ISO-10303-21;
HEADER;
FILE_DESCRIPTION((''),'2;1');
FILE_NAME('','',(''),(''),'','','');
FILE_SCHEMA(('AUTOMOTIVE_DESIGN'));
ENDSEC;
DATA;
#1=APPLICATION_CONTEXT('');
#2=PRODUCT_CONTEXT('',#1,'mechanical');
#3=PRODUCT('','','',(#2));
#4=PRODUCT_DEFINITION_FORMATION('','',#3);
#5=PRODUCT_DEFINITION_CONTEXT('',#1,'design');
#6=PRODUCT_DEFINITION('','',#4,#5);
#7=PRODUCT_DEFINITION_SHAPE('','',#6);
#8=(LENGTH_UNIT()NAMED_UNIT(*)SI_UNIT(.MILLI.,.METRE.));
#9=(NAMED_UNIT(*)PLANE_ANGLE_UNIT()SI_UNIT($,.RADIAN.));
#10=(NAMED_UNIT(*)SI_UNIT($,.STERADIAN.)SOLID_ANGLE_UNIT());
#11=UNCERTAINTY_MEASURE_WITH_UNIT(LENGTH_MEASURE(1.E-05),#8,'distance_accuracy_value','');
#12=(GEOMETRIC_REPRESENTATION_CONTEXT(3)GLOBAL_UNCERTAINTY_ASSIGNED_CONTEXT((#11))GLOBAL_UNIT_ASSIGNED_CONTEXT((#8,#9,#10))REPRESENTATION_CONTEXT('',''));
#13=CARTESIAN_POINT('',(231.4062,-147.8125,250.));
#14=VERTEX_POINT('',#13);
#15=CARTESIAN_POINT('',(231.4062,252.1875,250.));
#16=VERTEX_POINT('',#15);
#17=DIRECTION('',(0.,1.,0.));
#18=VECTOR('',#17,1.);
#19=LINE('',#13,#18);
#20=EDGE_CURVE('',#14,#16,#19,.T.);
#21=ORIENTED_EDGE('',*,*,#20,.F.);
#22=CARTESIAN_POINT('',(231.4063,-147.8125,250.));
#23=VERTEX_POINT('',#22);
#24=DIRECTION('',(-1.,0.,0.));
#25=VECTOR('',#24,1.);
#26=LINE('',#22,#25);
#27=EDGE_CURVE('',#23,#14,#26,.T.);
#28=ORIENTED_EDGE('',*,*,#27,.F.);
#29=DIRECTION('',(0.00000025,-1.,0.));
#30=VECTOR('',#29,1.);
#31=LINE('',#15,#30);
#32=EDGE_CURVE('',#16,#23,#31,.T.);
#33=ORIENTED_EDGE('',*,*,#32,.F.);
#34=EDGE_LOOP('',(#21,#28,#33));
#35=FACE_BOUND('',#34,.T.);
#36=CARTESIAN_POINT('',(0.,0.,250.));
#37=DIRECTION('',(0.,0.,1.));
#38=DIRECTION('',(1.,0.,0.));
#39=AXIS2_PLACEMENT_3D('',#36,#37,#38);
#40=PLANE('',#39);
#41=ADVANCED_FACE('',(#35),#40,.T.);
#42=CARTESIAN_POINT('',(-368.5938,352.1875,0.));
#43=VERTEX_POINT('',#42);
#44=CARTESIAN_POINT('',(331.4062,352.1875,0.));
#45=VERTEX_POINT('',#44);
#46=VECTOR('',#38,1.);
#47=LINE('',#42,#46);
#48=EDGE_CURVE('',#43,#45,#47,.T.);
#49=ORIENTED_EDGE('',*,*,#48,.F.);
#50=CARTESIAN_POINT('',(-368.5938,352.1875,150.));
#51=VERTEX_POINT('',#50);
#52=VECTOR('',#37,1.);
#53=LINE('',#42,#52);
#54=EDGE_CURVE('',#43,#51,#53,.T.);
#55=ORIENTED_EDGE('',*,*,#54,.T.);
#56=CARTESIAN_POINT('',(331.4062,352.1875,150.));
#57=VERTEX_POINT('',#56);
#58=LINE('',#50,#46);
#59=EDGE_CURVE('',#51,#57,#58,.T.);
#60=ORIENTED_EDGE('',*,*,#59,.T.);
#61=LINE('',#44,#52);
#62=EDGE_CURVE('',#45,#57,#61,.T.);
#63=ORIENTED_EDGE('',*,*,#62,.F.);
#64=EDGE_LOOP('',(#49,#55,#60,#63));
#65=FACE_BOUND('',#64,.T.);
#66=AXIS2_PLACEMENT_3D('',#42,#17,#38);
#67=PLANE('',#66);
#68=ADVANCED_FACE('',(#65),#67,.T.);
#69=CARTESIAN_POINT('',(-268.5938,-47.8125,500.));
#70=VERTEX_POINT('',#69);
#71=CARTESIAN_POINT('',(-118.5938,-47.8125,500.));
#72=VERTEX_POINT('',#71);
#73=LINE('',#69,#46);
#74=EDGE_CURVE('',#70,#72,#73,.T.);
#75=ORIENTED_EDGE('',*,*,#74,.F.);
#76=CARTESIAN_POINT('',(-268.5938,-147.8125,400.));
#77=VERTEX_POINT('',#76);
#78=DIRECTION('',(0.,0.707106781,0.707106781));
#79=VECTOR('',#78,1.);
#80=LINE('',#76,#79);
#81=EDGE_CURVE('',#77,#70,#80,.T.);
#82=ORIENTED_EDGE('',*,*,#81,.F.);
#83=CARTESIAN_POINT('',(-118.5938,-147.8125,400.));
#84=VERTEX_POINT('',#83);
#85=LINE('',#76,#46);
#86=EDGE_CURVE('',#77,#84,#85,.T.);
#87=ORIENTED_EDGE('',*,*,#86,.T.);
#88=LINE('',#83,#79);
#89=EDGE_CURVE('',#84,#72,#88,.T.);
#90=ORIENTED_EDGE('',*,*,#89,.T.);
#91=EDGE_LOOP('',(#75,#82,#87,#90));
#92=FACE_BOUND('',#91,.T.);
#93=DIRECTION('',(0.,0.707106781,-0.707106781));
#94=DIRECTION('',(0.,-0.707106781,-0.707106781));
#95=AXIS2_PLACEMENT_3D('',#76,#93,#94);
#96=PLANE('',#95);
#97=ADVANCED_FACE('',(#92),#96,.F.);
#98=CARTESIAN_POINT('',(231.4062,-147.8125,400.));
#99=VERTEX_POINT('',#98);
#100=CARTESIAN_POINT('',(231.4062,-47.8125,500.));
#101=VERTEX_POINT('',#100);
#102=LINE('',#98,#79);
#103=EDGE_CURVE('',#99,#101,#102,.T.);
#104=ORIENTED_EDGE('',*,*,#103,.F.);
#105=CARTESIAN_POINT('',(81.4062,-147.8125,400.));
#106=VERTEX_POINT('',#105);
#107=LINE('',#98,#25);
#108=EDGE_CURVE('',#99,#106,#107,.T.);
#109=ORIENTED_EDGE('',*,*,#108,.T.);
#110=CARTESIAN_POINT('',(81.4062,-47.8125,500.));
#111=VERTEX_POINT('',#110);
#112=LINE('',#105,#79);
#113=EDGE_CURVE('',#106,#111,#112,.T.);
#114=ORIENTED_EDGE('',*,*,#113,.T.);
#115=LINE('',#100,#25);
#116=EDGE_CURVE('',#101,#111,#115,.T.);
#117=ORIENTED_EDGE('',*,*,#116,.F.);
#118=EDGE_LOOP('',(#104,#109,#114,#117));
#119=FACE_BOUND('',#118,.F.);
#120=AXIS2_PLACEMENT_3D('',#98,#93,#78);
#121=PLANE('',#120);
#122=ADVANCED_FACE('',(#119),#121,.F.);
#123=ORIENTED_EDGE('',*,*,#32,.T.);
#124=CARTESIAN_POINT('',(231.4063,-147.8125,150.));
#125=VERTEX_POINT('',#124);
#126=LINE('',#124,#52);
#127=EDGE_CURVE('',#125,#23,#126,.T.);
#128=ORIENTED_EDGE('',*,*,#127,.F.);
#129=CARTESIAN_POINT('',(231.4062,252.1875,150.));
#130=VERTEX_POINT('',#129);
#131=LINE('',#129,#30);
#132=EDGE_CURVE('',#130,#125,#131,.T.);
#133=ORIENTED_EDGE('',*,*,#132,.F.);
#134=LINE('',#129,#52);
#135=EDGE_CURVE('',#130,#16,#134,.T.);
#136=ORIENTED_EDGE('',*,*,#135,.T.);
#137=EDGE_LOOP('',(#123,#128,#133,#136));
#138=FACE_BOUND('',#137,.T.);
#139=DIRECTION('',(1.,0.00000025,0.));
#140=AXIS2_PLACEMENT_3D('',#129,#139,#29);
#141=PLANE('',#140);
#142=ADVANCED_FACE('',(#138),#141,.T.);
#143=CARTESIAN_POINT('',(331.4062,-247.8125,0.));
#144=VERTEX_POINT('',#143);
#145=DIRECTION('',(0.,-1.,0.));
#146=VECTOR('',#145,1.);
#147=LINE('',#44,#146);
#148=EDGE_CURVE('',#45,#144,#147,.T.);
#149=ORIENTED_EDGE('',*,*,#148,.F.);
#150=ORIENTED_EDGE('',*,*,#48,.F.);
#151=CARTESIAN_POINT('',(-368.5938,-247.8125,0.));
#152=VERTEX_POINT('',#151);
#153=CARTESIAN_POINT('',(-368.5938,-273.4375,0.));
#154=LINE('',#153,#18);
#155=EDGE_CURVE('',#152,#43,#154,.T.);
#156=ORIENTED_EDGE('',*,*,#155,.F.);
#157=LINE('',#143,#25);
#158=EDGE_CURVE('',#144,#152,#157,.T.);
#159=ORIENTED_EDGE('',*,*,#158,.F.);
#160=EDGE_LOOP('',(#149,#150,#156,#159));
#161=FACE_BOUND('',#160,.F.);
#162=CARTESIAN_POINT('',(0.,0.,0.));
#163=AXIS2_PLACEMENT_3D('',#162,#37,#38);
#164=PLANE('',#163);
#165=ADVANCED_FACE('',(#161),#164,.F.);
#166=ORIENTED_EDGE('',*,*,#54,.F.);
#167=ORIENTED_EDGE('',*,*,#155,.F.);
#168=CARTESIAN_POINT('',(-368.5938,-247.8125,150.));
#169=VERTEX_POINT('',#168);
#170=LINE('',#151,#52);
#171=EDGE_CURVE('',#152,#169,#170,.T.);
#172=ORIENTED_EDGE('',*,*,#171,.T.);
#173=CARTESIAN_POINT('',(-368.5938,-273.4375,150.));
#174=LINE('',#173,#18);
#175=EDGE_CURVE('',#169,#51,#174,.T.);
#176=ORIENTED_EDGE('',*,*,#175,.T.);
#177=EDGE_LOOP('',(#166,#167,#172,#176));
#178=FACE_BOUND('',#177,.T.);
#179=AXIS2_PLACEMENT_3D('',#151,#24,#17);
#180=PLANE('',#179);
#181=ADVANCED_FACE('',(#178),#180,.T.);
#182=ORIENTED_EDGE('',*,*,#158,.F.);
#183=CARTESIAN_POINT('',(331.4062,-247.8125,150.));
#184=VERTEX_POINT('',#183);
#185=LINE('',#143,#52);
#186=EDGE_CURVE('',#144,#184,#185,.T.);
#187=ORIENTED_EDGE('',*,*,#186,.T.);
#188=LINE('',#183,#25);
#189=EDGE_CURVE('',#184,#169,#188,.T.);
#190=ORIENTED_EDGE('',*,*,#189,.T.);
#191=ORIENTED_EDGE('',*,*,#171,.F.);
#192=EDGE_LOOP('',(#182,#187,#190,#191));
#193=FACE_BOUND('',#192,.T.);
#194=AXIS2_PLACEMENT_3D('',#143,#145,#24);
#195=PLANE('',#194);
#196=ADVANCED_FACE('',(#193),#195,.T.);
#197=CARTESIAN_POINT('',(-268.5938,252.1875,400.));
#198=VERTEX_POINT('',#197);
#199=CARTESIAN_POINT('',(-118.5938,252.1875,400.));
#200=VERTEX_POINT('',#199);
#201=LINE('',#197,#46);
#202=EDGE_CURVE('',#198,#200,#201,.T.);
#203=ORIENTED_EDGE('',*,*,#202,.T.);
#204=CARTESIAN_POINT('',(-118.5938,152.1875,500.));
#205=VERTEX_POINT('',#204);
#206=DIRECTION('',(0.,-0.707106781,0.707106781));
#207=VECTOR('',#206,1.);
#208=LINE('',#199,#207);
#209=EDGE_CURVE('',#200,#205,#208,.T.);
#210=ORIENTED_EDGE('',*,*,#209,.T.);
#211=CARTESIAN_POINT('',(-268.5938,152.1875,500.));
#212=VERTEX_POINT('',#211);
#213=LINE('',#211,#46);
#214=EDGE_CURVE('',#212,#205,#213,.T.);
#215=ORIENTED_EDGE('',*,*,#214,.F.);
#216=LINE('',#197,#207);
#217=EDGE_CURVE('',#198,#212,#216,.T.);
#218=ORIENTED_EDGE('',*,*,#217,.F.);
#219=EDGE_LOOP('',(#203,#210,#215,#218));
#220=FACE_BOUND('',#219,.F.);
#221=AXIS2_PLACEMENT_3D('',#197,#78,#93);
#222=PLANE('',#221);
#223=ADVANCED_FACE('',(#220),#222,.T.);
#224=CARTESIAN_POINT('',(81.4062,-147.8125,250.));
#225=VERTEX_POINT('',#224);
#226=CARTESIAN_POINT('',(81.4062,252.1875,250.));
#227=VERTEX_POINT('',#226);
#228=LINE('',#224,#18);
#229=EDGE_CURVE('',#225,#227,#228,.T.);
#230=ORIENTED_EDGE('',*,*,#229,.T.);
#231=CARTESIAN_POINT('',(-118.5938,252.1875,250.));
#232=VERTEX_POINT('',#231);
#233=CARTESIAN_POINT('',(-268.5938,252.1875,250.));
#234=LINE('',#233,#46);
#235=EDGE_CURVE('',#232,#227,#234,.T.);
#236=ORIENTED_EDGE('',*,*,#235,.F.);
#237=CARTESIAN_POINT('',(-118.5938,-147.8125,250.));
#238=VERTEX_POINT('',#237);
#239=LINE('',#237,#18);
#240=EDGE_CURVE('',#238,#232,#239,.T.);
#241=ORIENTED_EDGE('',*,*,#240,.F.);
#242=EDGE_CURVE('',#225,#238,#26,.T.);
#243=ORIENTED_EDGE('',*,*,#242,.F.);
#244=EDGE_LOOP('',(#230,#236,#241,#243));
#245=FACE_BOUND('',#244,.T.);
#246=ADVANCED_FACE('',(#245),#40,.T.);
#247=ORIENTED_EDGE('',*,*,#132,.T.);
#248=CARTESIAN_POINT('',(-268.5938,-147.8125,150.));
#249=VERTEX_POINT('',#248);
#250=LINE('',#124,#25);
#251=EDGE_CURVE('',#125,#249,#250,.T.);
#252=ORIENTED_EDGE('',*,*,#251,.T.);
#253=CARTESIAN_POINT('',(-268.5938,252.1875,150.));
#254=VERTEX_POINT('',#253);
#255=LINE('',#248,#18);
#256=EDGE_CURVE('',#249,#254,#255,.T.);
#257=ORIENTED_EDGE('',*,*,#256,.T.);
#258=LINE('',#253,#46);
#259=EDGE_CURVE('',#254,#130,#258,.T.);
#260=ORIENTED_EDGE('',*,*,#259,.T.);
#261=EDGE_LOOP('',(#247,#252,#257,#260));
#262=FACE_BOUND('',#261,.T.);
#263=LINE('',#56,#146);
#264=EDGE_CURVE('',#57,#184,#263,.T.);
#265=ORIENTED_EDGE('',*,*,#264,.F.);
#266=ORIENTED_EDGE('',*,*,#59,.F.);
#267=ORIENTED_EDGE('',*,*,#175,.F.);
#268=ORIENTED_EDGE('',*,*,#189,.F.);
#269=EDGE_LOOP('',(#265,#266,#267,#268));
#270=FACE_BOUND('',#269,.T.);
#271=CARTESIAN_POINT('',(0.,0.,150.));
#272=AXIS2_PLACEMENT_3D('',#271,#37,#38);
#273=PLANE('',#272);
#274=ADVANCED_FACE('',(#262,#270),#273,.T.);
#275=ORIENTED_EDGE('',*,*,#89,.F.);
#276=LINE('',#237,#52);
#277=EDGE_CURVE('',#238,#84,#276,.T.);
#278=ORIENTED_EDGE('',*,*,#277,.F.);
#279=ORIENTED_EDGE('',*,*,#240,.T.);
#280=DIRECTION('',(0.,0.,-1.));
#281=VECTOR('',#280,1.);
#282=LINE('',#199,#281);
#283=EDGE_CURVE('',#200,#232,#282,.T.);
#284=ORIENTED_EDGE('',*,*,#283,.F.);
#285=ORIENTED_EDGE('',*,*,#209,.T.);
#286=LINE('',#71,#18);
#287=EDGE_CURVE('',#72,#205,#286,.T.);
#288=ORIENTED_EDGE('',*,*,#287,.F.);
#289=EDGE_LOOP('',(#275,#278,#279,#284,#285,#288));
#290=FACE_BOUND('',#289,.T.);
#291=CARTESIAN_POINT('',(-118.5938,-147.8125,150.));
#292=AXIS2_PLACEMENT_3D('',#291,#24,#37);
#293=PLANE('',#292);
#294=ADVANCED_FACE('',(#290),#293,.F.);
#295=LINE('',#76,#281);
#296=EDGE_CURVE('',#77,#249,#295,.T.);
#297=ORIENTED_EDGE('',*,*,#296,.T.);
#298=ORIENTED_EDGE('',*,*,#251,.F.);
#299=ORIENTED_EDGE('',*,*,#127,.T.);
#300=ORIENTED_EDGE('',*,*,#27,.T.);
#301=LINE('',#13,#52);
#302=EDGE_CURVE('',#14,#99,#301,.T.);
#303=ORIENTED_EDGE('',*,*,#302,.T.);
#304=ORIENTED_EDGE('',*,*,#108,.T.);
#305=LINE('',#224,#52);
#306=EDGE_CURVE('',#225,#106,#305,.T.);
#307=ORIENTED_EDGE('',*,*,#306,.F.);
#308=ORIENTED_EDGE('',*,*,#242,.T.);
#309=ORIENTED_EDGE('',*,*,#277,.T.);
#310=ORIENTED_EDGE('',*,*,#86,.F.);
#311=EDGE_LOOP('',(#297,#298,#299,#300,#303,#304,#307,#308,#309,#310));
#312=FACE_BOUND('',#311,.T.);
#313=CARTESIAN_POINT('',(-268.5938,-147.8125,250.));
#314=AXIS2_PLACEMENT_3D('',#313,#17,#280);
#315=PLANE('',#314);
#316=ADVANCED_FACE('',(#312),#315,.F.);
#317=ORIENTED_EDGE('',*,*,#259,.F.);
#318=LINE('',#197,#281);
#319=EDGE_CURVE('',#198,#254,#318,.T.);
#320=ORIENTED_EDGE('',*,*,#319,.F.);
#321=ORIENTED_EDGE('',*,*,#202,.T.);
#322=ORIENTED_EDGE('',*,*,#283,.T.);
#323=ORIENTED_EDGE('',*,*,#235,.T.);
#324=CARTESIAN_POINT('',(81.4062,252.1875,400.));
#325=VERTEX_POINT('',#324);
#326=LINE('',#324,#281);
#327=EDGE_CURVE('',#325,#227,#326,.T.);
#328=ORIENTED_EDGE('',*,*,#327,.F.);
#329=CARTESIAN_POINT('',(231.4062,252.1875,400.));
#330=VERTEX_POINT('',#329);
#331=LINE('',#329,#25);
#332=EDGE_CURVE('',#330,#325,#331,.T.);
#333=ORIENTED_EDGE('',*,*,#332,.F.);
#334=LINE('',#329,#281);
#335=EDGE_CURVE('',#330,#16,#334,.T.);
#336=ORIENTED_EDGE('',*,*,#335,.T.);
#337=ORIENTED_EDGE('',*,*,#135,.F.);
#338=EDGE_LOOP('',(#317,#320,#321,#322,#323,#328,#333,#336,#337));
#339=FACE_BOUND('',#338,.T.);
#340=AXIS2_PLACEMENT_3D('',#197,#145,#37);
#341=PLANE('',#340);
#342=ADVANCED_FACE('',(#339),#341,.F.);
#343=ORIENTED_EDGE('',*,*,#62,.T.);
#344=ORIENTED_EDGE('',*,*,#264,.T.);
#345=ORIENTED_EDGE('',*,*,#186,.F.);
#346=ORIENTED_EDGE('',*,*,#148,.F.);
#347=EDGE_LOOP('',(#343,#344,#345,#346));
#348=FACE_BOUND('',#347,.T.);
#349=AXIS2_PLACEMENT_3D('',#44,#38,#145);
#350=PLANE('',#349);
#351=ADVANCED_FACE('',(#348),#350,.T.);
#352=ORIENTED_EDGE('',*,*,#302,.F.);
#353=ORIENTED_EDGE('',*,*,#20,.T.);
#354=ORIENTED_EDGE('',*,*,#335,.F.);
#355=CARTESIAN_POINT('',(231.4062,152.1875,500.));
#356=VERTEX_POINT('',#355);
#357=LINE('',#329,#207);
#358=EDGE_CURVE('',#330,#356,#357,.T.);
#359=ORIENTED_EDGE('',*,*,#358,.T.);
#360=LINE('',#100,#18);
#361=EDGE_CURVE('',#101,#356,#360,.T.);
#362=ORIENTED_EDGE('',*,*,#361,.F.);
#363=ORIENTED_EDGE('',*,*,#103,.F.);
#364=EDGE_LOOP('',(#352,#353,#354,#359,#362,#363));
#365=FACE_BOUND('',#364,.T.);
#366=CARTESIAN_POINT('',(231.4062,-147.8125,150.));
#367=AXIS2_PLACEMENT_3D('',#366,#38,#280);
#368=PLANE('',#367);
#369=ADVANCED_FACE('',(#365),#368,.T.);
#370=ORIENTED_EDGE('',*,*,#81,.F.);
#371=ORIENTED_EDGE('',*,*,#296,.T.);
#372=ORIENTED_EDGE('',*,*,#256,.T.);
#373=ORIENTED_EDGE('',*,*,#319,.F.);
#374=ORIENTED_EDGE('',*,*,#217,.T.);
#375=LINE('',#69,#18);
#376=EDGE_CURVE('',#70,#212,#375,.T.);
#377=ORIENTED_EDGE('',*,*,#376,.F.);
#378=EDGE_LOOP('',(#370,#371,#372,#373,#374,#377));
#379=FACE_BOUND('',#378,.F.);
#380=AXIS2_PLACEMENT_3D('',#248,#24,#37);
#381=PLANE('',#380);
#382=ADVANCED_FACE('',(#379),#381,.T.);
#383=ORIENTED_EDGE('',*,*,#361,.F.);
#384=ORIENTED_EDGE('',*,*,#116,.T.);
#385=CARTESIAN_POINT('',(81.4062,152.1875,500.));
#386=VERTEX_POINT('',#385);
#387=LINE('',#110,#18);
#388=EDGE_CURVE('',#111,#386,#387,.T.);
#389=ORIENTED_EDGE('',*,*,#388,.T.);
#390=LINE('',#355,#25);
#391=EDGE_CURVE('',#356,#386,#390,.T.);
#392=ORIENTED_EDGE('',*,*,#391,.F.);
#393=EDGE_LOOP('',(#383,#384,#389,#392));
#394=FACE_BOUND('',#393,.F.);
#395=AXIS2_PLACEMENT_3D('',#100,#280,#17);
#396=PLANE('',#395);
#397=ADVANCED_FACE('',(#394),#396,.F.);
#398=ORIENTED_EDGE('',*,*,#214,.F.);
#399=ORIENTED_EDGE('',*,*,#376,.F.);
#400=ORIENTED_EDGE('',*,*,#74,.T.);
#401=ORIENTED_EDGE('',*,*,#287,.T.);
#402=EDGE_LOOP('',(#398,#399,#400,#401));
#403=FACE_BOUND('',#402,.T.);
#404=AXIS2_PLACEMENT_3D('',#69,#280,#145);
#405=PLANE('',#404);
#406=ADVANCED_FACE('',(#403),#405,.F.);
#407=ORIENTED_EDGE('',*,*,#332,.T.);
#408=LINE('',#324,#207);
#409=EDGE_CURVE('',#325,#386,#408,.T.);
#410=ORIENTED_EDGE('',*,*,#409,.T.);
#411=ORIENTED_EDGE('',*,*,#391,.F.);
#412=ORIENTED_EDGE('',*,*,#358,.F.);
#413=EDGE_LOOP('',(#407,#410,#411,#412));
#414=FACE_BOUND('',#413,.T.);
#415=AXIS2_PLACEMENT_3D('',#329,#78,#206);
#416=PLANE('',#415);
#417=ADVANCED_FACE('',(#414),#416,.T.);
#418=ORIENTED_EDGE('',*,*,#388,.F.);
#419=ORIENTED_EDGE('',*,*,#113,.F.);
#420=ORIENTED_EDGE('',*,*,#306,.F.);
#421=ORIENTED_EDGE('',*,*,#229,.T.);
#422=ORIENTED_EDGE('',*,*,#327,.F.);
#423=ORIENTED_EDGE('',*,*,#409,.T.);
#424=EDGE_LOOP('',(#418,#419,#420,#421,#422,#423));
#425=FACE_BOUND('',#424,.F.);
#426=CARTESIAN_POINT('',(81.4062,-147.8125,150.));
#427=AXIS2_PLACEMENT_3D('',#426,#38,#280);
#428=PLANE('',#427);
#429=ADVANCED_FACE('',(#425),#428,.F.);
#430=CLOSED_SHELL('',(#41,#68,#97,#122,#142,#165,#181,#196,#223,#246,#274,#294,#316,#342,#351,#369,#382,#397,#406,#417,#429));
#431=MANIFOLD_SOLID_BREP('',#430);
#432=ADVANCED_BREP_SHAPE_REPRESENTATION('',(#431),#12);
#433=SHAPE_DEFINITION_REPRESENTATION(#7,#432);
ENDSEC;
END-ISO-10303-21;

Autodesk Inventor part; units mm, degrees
ref_plane "YZ Plane" through (0, 0, 0) normal (1, 0, 0) x (0, 1, 0)
sketch "Sketch1" plane through (0, 0, 0) normal (0, 0, 1) x (1, 0, 0)
  line L0 (-368.5938, -273.4375) -> (-368.5938, 352.1875)
  line L1 (-368.5938, 352.1875) -> (331.4062, 352.1875)
  line L2 (331.4062, 352.1875) -> (331.4062, -247.8125)
  line L3 (331.4062, -247.8125) -> (-368.5938, -247.8125)
  line L4 (-368.5938, -247.8125) -> (-368.5938, -273.4375)
  point P0 (0, 0)
  dimension "d0" = 700
  dimension "d1" = 600
extrude "Extrusion1" add sketch "Sketch1" along normal blind 150
ref_plane "Work Plane1" through (0, 0, 150) normal (0, 0, 1) x (1, 0, 0)
sketch "Sketch2" plane through (0, 0, 150) normal (0, 0, 1) x (1, 0, 0)
  line L0 (-268.5938, -147.8125) -> (-268.5938, 252.1875)
  line L1 (-268.5938, 252.1875) -> (231.4062, 252.1875)
  line L2 (231.4062, 252.1875) -> (231.4063, -147.8125)
  line L3 (231.4063, -147.8125) -> (-268.5938, -147.8125)
  line L4 (331.4062, 352.1875) -> (-368.5938, 352.1875) projected
  line L5 (331.4062, -247.8125) -> (331.4062, 352.1875) projected
  point P0 (0, 0)
  dimension "d5" = 500
  dimension "d6" = 400
  dimension "d7" = 100
  dimension "d8" = 100
extrude "Extrusion2" add sketch "Sketch2" along normal blind 100
sketch "Sketch3" plane through (231.4062, -147.8125, 150) normal (1, 0, 0) x (0, 0, -1)
  line L0 (-100, 0) -> (-100, 400) projected
  line L1 (-100, 0) -> (-250, 0)
  line L2 (-350, 100) -> (-350, 300)
  line L3 (-250, 400) -> (-100, 400)
  line L4 (0, 400) -> (-100, 400) projected
  line L5 (-250, 400) -> (-350, 300)
  line L6 (-250, 0) -> (-350, 100)
  point P0 (150, 147.8125)
  point P1 (-350, 0)
  point P2 (-350, 400)
  dimension "d11" = 250
  dimension "d12" = 400
  dimension "d13" = 100
  dimension "d14" = 45
  dimension "d15" = 100
  dimension "d16" = 45
extrude "Extrusion3" add sketch "Sketch3" against normal blind 150
ref_plane "Work Plane2" through (-18.5938, -147.8125, 150) normal (1, 0, 0) x (0, 0, -1)
mirror "Mirror1" about plane through (-18.5938, -147.8125, 150) normal (1, 0, 0) of "Extrusion3"
equation "\"d15\" = d13"
equation "\"d16\" = d14"
properties part number "BT020_Doppelführung"
